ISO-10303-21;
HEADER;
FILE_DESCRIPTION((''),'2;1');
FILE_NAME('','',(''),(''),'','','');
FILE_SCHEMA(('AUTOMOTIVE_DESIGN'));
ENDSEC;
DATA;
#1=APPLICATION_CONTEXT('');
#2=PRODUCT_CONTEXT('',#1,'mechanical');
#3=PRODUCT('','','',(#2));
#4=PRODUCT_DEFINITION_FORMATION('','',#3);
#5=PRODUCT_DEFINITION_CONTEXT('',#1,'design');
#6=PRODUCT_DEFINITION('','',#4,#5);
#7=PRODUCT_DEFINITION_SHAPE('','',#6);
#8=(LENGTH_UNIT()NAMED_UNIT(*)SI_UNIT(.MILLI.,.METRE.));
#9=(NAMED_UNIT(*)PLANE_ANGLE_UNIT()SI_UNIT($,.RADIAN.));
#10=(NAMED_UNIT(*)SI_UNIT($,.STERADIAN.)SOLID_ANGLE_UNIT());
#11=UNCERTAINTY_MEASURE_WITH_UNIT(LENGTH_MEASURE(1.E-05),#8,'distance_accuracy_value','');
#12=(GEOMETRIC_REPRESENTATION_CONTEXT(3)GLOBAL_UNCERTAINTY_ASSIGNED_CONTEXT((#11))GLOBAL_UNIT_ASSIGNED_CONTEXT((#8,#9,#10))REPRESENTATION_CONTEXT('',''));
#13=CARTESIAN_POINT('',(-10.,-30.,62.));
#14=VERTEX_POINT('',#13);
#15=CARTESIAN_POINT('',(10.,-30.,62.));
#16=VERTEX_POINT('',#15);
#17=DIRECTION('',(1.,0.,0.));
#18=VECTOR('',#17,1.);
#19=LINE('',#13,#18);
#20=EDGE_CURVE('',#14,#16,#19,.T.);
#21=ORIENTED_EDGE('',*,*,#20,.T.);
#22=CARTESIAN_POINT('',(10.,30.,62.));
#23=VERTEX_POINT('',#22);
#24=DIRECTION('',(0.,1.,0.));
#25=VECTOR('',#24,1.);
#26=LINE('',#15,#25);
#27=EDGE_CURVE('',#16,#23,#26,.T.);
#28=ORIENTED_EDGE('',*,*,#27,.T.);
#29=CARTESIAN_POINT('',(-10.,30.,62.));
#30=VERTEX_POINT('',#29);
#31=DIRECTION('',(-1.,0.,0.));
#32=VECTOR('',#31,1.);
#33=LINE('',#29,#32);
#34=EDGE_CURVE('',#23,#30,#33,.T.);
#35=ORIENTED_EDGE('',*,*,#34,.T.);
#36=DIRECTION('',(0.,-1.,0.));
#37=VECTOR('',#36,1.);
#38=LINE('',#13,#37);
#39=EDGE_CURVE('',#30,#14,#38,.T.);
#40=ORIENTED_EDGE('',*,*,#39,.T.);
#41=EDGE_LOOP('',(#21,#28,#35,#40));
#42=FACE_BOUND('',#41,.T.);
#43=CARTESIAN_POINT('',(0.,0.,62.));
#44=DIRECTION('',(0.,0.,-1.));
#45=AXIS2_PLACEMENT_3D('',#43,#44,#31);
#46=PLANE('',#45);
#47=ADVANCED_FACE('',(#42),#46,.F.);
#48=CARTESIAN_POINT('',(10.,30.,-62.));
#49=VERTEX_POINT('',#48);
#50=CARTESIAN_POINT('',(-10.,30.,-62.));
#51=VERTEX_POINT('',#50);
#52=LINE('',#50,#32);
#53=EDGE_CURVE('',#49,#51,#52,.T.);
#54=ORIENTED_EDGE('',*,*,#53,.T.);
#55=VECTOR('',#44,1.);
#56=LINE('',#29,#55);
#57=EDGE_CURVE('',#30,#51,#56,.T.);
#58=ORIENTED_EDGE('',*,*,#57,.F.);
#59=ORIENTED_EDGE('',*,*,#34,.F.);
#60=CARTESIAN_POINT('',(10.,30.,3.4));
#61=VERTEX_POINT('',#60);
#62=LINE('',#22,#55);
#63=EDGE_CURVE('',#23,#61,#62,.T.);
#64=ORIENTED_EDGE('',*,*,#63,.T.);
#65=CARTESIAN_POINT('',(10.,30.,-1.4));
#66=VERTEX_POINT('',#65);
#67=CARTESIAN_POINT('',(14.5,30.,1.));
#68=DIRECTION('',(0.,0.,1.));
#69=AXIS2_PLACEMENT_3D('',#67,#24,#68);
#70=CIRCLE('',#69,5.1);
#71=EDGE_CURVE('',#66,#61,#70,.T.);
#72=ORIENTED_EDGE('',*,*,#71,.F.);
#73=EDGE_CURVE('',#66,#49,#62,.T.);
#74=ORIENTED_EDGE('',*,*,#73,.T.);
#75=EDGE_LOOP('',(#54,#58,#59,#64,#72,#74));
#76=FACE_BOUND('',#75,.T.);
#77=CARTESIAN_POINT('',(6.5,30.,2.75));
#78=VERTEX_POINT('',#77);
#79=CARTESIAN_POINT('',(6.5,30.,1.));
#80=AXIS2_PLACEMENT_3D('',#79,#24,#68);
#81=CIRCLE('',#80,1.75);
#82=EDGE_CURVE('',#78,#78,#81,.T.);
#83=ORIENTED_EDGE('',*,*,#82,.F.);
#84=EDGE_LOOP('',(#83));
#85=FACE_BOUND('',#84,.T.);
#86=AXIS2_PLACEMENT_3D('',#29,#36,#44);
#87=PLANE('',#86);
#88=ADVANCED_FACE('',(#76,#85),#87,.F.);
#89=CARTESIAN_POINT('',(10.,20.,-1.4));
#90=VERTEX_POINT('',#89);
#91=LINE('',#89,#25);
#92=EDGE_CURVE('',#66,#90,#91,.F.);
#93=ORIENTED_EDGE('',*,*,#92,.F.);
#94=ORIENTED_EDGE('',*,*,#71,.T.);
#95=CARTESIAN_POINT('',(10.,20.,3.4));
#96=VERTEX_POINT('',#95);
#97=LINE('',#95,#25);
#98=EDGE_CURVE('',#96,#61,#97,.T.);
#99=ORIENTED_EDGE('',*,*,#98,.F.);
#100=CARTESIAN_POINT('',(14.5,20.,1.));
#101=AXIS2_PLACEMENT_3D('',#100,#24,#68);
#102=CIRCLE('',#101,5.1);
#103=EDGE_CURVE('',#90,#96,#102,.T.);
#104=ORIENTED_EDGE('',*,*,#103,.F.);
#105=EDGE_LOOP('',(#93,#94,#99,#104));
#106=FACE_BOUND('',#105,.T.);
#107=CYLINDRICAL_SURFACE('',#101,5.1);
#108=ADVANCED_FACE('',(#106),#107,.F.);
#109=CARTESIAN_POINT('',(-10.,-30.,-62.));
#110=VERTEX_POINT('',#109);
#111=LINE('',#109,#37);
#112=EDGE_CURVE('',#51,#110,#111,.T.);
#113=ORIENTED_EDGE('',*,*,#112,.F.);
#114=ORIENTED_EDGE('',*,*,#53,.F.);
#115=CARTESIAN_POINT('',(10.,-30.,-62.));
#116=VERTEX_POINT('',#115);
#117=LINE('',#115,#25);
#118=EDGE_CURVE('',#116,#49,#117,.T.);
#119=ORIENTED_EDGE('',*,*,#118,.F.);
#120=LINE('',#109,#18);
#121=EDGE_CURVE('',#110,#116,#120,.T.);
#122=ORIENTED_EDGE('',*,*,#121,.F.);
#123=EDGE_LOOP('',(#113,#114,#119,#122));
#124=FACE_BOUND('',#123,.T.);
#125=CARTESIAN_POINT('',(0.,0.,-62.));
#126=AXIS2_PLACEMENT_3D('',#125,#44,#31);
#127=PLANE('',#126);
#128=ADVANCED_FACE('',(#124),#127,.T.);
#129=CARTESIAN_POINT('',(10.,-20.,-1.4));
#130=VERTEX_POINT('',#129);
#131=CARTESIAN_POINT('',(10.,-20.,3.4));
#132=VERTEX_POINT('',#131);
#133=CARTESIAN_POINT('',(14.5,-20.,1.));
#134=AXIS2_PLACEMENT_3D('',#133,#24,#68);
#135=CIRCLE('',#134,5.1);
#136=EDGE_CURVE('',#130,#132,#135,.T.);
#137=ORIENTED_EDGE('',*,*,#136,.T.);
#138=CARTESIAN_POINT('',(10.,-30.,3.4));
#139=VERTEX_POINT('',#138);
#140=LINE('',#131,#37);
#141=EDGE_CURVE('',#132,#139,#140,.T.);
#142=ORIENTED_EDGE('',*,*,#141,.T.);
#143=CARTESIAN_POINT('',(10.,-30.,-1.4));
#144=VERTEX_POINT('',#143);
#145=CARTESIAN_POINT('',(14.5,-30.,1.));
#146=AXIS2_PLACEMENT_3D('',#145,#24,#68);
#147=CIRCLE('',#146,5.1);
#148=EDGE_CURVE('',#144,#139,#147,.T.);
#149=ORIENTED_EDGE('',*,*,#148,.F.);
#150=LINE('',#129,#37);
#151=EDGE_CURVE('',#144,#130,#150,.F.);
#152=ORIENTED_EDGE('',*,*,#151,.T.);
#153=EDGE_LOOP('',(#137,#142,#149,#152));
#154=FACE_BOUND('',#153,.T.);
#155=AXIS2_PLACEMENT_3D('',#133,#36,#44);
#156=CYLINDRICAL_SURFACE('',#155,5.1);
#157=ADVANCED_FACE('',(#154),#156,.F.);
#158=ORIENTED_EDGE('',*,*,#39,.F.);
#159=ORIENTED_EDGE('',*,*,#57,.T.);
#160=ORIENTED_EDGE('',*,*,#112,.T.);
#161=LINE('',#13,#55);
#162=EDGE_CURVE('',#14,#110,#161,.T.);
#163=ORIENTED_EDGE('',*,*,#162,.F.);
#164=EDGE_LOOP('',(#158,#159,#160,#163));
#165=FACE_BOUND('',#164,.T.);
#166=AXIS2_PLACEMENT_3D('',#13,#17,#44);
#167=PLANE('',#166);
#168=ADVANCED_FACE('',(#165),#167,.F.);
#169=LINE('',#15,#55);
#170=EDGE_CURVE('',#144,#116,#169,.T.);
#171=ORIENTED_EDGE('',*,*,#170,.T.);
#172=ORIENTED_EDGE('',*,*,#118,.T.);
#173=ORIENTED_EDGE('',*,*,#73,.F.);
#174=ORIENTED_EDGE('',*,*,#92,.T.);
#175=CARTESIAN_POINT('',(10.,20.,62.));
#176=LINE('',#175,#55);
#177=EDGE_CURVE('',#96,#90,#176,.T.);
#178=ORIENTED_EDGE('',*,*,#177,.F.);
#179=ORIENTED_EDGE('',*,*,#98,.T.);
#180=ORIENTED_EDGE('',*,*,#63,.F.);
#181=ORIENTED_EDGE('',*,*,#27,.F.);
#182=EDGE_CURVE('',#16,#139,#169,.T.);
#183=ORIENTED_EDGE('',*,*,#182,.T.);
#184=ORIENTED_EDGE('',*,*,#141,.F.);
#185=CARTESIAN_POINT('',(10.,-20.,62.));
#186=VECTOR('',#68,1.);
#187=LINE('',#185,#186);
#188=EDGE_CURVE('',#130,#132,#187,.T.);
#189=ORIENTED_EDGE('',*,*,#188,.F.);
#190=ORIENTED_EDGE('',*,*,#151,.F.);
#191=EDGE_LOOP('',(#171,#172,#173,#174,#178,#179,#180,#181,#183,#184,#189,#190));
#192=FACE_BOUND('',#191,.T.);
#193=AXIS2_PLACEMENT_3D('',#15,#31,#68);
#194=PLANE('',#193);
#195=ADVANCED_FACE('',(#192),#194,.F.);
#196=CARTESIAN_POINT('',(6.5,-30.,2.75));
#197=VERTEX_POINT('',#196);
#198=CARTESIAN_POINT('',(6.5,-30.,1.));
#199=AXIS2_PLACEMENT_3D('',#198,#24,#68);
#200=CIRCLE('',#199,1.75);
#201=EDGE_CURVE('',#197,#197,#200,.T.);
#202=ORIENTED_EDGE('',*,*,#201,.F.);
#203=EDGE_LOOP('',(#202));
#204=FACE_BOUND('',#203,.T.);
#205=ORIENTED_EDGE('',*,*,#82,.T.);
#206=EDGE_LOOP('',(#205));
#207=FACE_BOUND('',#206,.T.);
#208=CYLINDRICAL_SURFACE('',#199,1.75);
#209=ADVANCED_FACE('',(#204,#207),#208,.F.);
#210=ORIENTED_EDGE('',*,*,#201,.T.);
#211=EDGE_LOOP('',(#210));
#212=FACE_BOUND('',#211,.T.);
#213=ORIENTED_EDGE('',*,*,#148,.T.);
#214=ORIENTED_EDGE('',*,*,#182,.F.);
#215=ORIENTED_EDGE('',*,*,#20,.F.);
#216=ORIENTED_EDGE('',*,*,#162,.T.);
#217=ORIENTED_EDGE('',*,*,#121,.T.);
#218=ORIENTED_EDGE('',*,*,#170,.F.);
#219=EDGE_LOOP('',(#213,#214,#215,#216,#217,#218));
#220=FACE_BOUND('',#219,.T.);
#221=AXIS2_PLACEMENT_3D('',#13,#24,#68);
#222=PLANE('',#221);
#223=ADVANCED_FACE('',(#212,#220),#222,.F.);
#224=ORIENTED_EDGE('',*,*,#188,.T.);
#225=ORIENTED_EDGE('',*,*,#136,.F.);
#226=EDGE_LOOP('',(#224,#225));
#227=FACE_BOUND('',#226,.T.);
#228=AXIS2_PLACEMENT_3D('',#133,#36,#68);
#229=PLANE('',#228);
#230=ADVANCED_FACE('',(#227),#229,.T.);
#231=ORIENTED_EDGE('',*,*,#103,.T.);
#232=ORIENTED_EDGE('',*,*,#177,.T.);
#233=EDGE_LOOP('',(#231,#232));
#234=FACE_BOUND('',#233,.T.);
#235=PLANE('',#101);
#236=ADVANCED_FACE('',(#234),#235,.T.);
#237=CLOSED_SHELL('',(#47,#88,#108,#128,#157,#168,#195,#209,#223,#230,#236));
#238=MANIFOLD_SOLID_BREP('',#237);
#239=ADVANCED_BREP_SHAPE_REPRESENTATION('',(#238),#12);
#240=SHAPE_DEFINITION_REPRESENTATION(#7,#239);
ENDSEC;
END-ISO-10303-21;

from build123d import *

# Parameters (mm, degrees)
SKETCH1_W           = 20
SKETCH1_H           = 60
BOSS_EXTRUDE1_DEPTH = 62
SKETCH2_R           = 5.1
CUT_EXTRUDE1_DEPTH  = 10
SKETCH3_R           = 4
SKETCH3_R_2         = 1.75
CUT_EXTRUDE2_DEPTH  = 87.856203002


with BuildPart() as part:
    # Sketch1 → Boss-Extrude1 (new, symmetric)
    with BuildSketch(Plane.XY):
        Rectangle(SKETCH1_W, SKETCH1_H)
    extrude(amount=BOSS_EXTRUDE1_DEPTH, both=True)

    # Sketch2 → Cut-Extrude1 (cut)
    with BuildSketch(Plane(origin=(0, 30, 0), x_dir=(1, 0, 0), z_dir=(0, 1, 0))):
        with Locations((14.5, -1)):
            Circle(SKETCH2_R)
    cut_extrude1 = extrude(amount=-CUT_EXTRUDE1_DEPTH, mode=Mode.SUBTRACT)

    # Mirror1: Cut-Extrude1 across plane
    add(cut_extrude1.mirror(Plane.ZX), mode=Mode.SUBTRACT)

    # Sketch3 → Cut-Extrude2 (cut, through all)
    with BuildSketch(Plane(origin=(0, 30, 0), x_dir=(1, 0, 0), z_dir=(0, 1, 0))):
        with Locations((14.5, -1)):
            Circle(SKETCH3_R)
        with Locations(Location((6.5, -1, 0), (0, 0, 270))):
            Circle(SKETCH3_R_2)
        with Locations((14.5, 7)):
            Circle(SKETCH3_R_2)
        with Locations((22.5, -1)):
            Circle(SKETCH3_R_2)
        with Locations((14.5, -9)):
            Circle(SKETCH3_R_2)
    extrude(amount=-CUT_EXTRUDE2_DEPTH, mode=Mode.SUBTRACT)


solid = part.part
